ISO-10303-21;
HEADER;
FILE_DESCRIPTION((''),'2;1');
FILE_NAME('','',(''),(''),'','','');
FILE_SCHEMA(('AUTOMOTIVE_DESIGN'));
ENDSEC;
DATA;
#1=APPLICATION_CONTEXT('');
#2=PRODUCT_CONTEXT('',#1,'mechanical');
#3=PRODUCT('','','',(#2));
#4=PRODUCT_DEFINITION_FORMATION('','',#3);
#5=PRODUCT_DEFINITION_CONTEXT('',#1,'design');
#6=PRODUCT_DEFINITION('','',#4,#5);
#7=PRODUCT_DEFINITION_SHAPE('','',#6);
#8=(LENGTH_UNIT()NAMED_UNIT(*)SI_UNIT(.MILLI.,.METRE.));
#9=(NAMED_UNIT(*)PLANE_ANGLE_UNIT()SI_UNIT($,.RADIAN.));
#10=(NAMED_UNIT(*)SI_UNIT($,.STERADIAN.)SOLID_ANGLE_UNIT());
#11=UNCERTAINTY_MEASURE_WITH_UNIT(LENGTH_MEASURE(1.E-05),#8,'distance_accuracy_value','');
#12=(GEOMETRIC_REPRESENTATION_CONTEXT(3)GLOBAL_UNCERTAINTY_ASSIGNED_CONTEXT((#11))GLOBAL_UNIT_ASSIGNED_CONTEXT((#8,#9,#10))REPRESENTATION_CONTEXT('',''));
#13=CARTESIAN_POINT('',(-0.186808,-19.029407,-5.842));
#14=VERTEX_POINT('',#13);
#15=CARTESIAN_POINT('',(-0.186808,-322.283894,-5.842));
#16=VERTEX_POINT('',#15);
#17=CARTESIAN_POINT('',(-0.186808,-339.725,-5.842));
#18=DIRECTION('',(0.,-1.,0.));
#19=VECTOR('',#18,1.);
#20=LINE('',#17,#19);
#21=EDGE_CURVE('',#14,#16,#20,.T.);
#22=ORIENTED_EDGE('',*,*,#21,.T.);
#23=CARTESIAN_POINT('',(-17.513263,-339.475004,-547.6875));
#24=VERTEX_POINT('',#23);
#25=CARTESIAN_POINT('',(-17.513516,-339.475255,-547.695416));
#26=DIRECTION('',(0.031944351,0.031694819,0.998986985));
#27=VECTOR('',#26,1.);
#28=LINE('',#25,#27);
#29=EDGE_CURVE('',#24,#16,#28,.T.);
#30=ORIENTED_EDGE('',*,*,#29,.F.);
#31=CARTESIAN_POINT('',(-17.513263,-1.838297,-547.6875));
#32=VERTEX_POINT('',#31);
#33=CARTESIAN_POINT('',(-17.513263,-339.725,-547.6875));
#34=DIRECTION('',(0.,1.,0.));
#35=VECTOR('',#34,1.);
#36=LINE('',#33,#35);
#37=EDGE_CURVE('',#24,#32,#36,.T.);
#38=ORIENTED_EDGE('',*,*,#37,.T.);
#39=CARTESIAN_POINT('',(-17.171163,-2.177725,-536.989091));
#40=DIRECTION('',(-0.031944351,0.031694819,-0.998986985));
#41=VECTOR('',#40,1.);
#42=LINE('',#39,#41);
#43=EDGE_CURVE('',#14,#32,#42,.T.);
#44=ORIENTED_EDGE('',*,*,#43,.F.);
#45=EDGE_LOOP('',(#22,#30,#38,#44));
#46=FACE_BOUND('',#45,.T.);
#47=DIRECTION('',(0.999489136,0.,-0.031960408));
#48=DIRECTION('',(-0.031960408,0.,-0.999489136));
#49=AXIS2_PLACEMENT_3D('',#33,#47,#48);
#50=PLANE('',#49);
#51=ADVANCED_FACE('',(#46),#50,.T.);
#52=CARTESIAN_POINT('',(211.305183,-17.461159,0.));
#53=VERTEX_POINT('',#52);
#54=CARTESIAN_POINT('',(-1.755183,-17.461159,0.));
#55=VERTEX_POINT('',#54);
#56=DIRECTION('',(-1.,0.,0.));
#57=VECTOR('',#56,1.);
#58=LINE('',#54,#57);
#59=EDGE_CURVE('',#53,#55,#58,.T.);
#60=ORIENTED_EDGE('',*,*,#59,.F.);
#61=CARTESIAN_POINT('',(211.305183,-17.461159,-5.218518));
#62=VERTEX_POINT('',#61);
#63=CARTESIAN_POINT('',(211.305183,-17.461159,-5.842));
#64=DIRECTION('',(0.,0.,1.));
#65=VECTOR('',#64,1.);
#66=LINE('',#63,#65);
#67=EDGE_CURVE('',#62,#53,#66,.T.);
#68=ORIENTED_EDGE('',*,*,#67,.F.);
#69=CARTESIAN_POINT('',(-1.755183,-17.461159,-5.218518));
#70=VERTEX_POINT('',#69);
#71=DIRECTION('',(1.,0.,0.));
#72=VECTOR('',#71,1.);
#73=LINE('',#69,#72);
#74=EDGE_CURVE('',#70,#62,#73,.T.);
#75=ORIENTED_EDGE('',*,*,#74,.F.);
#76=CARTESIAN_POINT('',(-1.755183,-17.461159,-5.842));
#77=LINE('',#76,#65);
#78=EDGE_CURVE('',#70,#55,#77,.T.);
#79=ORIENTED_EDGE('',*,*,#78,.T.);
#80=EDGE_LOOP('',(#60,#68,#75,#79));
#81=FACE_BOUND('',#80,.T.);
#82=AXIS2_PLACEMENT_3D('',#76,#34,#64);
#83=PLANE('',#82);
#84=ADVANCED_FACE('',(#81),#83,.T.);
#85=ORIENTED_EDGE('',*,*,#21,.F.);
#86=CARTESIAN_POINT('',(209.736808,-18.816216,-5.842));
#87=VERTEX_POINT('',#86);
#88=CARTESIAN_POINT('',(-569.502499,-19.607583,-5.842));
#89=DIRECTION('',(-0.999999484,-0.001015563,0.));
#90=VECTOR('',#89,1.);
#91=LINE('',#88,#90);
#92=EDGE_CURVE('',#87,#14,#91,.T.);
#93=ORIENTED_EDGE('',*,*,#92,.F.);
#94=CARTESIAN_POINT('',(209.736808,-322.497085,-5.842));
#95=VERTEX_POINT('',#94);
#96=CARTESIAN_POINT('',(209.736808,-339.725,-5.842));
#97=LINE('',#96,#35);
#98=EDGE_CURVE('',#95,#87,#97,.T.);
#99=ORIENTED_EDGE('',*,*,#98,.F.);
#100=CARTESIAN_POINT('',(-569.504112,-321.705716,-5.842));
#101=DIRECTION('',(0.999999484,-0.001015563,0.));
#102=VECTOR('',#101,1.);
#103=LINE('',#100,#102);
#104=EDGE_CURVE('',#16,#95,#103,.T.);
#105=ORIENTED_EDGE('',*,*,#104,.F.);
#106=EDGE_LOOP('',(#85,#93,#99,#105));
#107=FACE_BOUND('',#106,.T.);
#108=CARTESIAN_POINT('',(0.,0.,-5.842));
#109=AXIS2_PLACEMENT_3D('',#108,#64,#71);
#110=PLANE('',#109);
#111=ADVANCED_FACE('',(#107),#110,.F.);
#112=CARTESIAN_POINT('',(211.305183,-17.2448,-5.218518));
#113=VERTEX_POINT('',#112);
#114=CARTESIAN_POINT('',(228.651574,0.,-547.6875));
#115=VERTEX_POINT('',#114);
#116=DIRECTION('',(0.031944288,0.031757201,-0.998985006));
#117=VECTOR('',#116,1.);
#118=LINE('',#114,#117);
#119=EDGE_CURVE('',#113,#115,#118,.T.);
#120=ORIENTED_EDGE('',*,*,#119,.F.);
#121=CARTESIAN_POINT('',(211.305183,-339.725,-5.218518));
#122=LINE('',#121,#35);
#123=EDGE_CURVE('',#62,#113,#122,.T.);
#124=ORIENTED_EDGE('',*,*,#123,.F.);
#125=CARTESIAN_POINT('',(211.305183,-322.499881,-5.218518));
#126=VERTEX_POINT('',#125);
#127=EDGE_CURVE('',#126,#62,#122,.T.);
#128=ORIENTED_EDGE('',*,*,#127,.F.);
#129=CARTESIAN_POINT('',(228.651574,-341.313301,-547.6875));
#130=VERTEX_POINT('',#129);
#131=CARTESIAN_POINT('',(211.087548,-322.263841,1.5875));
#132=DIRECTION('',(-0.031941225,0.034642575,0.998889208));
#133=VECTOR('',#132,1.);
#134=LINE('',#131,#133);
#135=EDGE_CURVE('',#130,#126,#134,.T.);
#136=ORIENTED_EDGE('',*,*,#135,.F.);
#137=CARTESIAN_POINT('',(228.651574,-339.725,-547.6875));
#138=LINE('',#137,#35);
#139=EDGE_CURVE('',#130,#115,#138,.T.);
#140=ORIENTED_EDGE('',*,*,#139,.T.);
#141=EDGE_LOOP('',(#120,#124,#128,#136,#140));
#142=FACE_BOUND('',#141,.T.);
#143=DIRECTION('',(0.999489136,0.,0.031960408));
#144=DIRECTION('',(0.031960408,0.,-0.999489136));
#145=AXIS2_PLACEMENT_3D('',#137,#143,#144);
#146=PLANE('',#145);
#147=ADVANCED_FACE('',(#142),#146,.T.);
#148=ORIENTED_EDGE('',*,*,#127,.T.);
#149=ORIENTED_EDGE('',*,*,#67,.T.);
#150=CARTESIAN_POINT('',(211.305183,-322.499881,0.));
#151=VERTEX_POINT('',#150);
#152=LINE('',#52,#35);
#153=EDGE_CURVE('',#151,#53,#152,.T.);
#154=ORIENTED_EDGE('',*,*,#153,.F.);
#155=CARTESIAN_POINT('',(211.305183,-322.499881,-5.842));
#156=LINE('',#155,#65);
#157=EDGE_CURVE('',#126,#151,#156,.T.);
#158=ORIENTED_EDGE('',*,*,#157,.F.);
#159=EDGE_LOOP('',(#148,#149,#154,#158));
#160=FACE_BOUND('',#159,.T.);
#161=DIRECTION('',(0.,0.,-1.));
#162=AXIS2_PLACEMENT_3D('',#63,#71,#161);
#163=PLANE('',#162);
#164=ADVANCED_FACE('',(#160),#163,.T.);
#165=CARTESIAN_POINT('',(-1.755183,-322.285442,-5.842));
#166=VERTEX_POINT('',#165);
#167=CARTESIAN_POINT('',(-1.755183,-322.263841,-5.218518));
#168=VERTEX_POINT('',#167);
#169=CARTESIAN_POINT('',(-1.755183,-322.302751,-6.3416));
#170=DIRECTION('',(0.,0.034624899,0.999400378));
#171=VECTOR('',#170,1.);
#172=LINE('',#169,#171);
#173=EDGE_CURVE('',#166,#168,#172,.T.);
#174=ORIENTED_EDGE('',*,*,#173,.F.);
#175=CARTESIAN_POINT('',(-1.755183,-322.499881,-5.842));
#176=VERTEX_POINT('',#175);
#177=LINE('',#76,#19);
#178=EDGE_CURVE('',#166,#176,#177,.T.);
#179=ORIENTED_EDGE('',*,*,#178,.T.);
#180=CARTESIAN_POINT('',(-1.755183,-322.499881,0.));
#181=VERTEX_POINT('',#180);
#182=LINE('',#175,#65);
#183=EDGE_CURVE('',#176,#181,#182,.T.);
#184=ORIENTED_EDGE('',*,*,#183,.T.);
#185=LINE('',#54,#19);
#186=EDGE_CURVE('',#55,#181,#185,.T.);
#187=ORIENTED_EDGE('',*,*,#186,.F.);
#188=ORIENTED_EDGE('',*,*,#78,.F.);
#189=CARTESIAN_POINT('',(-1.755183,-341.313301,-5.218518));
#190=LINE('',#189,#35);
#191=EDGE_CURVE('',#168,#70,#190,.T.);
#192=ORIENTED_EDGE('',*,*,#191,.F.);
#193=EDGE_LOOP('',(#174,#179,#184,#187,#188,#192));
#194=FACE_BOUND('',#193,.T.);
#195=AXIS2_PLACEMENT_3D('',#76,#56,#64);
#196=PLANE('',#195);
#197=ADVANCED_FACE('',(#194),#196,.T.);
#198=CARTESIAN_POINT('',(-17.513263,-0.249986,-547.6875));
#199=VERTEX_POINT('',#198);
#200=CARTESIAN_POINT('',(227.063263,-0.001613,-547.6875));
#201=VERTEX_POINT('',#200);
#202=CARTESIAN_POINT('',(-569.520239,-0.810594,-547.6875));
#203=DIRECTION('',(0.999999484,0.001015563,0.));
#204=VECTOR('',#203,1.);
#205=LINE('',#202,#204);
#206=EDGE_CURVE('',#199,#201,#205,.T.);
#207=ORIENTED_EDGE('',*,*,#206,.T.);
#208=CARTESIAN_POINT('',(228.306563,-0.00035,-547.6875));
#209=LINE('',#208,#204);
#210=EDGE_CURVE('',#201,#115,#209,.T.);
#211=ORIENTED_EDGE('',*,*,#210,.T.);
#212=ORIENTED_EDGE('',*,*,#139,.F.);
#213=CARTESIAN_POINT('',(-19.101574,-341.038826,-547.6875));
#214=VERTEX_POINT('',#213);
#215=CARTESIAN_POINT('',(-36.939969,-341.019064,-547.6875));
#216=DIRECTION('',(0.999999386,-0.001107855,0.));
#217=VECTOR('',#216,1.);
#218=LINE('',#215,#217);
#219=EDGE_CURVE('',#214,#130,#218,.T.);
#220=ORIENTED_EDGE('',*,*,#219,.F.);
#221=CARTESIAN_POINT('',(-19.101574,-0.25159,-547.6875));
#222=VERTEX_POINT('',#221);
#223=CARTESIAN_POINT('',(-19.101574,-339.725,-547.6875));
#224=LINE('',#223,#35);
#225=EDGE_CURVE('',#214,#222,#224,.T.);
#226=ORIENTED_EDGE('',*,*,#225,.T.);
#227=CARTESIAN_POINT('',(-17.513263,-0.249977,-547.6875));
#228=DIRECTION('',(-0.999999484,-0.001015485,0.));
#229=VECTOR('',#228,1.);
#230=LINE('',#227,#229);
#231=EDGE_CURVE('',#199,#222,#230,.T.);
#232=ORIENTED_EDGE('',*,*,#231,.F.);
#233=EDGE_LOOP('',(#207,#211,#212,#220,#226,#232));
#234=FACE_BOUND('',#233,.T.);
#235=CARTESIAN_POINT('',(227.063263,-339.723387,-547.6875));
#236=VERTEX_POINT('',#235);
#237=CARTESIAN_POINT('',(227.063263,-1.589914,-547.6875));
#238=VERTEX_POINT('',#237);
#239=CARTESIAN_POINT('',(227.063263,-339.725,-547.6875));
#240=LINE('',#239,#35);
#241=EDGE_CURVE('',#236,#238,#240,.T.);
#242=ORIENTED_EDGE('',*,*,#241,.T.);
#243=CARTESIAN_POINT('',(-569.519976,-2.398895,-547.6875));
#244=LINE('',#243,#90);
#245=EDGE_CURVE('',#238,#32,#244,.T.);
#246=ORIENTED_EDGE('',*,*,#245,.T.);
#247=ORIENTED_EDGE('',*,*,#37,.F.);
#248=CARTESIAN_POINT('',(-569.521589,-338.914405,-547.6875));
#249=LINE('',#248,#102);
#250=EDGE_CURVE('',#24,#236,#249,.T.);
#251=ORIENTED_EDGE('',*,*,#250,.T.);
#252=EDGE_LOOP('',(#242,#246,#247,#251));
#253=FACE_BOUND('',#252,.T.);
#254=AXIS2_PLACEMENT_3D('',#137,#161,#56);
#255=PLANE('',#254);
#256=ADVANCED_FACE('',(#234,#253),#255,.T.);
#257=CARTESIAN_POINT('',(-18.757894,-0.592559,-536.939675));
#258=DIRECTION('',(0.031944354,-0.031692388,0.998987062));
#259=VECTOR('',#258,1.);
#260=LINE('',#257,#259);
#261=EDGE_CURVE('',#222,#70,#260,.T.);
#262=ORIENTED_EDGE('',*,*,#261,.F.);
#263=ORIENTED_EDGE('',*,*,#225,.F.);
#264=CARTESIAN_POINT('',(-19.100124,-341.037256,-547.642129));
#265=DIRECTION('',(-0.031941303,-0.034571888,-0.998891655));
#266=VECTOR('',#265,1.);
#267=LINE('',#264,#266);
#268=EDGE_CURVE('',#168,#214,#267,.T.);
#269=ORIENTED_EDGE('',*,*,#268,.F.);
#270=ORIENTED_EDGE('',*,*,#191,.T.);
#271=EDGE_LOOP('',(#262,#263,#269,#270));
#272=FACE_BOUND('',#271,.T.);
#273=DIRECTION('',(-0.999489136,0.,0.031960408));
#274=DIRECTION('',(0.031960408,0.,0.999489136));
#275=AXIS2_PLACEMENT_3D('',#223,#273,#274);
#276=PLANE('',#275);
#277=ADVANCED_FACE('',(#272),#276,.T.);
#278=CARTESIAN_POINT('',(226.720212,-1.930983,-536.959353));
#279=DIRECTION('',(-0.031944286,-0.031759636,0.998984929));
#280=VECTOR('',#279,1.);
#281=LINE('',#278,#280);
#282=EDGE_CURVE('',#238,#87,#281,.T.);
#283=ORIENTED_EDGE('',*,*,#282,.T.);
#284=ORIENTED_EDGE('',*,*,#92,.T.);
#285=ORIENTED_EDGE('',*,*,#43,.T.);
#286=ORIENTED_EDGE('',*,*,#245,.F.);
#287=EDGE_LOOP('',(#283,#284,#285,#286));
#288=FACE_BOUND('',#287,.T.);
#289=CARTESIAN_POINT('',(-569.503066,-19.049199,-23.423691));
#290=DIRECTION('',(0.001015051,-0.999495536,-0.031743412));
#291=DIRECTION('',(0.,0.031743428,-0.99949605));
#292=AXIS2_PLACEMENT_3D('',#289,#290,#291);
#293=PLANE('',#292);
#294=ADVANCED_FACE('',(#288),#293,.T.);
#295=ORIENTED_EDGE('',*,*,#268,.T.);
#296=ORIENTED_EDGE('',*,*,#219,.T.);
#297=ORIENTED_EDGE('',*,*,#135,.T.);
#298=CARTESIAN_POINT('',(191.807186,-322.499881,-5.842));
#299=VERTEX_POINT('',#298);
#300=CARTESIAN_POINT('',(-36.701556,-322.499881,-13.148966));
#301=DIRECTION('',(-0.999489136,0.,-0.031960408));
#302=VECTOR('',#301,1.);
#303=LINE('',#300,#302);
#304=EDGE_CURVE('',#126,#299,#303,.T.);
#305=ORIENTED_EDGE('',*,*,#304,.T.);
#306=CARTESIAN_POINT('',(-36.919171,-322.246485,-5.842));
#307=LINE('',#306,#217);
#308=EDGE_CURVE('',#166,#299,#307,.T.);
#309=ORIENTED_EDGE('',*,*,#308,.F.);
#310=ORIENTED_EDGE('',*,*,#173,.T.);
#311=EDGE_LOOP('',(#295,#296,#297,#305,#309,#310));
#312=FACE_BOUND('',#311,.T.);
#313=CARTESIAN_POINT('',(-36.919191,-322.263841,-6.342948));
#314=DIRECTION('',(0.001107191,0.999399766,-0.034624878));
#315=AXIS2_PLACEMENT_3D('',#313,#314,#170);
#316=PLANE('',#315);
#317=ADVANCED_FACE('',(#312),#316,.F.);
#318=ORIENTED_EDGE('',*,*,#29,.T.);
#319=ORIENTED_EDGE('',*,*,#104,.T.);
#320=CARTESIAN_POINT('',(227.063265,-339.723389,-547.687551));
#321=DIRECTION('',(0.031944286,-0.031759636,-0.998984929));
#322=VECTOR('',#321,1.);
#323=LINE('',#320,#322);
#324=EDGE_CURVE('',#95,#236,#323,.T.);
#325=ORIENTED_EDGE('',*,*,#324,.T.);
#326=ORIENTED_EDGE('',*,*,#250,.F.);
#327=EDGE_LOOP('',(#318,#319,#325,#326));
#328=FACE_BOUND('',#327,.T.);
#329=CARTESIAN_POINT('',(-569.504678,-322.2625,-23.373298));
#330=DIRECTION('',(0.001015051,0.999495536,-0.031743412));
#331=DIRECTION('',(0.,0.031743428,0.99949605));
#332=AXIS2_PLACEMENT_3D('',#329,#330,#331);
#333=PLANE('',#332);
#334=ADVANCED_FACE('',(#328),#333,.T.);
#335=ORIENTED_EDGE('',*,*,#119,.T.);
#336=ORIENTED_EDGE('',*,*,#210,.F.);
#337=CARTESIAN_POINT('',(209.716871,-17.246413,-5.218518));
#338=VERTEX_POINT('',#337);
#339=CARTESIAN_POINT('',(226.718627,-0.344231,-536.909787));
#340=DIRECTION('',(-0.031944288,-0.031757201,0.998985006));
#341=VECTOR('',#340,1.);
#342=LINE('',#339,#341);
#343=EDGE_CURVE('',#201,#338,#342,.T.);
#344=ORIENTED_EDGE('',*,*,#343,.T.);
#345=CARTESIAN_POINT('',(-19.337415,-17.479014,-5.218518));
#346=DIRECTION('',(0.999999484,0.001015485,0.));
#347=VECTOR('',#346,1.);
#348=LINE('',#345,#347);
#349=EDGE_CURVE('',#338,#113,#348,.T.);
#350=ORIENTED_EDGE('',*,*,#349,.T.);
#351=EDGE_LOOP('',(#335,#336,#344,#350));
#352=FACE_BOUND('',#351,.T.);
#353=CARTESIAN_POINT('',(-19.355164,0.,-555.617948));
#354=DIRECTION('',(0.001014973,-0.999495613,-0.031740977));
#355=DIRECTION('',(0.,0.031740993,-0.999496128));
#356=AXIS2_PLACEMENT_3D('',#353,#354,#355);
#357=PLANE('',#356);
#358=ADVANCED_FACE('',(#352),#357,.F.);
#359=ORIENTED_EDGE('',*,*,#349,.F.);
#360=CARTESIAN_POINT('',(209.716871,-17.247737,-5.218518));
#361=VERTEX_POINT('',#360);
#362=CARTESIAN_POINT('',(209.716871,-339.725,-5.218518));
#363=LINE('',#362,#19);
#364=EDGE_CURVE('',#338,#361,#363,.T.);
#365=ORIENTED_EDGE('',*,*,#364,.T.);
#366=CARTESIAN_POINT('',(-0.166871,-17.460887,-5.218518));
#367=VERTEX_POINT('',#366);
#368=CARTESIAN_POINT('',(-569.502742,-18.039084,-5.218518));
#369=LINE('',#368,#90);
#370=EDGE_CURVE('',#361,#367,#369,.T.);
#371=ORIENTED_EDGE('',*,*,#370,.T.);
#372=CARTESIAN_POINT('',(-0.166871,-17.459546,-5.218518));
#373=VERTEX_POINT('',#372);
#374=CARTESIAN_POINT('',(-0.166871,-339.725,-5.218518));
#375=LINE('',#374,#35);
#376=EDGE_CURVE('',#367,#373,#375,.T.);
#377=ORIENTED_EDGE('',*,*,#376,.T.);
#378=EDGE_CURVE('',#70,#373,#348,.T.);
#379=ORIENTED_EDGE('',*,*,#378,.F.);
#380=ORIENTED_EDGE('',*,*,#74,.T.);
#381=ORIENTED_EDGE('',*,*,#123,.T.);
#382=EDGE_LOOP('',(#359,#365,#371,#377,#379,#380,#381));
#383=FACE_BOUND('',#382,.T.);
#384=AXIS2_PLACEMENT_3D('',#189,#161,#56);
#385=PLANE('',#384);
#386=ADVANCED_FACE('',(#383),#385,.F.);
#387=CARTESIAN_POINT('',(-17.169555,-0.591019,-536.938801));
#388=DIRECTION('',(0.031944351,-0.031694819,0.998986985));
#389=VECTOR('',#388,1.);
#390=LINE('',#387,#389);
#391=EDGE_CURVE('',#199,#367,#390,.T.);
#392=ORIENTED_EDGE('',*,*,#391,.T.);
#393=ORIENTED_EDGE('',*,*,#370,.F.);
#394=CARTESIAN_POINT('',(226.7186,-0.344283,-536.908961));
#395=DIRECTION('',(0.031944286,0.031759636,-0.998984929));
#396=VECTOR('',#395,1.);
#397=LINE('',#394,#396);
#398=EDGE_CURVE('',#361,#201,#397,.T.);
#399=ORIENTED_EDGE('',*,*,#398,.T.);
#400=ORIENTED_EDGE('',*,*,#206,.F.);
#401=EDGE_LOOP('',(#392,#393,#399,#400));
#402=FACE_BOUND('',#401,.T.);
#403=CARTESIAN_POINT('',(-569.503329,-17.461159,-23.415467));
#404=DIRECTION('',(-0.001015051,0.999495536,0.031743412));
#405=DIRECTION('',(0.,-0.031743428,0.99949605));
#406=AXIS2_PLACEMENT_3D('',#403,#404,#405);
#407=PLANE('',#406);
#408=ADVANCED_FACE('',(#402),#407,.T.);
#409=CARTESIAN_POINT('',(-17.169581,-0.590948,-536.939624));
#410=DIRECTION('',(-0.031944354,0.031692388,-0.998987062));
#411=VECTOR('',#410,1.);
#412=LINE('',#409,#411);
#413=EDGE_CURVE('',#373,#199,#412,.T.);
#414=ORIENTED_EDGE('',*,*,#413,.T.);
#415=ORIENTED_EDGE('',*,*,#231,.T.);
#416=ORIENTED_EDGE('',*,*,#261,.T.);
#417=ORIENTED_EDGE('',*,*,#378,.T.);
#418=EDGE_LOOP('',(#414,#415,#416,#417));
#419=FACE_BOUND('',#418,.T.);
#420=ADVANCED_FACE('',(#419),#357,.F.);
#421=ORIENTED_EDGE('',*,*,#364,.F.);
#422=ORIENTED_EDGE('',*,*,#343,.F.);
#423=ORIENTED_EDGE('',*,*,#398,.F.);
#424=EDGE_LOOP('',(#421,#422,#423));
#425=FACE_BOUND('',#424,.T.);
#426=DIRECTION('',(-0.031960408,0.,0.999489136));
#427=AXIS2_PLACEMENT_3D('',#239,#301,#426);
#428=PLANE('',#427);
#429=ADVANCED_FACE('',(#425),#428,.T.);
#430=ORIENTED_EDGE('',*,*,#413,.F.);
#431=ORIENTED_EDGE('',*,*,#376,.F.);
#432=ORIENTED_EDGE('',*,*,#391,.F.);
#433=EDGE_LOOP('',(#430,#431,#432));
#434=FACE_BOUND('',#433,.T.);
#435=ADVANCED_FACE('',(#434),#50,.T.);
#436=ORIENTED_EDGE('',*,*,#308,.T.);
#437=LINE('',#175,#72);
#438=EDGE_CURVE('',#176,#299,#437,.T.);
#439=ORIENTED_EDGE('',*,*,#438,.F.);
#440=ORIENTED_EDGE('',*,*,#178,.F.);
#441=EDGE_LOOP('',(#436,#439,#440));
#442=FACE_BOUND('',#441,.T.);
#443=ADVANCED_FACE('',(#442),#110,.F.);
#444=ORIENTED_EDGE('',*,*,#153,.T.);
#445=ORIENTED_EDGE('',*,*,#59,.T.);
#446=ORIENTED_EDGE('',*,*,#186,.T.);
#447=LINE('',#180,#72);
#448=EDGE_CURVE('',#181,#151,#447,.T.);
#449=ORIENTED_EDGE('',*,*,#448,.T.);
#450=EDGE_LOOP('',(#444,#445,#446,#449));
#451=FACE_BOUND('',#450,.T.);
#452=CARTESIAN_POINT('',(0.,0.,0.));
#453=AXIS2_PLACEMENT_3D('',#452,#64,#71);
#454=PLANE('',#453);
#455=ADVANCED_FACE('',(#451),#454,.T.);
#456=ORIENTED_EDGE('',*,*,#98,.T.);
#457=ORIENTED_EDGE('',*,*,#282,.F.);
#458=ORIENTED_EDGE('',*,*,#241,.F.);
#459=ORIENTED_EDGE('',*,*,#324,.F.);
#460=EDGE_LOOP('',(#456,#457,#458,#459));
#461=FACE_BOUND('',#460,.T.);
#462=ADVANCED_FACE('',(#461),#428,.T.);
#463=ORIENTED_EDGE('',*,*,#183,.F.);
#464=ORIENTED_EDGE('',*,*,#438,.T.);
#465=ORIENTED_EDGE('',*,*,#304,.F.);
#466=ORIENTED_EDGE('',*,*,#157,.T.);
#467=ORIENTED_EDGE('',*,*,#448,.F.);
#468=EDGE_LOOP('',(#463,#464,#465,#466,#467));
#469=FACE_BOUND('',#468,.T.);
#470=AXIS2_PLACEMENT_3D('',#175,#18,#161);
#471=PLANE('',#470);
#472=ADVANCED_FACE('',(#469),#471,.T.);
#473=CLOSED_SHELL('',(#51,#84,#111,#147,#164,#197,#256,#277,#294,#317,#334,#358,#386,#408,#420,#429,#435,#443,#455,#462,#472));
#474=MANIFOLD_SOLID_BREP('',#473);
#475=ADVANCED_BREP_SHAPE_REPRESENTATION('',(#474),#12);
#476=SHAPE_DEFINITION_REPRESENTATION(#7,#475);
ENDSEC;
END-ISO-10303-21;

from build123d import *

# Parameters (mm, degrees)
BOSS_EXTRUDE1_DEPTH = 339.725
BOSS_EXTRUDE2_REACH = 691.724
CUT_EXTRUDE4_DEPTH  = 697.975102984
SKETCH6_W           = 376.513172643
SKETCH6_H           = 53.606624692
CUT_EXTRUDE8_DEPTH  = 692.004787475
SKETCH7_W           = 213.060365226
SKETCH7_H           = 305.038721392
BOSS_EXTRUDE4_DEPTH = 5.842


with BuildPart() as part:
    # Sketch1 → Boss-Extrude1 (new body)
    with BuildSketch(Plane(origin=(0, 0, 0), x_dir=(1, 0, 0), z_dir=(0, 1, 0))):
        Polygon((0, 0), (209.55, 0), (227.063263081, 547.6875), (228.651574493, 547.6875), (211.08754833, -1.5875), (-1.53754833, -1.5875), (-19.101574493, 547.6875), (-17.513263081, 547.6875), align=None)
    extrude(amount=-BOSS_EXTRUDE1_DEPTH)

    # Boss-Extrude2: up to this plane
    boss_extrude2_end = Plane(origin=(-19.101574493, -339.725, -547.6875), z_dir=(-0.9994891356560206, 0, 0.03196040840760531))
    # Sketch3 → Boss-Extrude2 (add, up to the surface)
    with BuildSketch(Plane(origin=(210.922640445, 0, 6.744619317), x_dir=(0.031960408407605376, 0, -0.9994891356560207), z_dir=(0.9994891356560207, 0, 0.031960408407605376)), mode=Mode.PRIVATE) as boss_extrude2_sk1:
        Polygon((5.20194578, -17.461159368), (554.715503688, 0), (554.715503688, -1.588301242), (5.210173674, -19.049199163), align=None)
    boss_extrude2_tool1 = split(extrude(boss_extrude2_sk1.sketch, amount=-BOSS_EXTRUDE2_REACH, mode=Mode.PRIVATE), bisect_by=boss_extrude2_end, keep=Keep.BOTH, mode=Mode.PRIVATE)
    add(boss_extrude2_tool1.solids().sort_by_distance((219.870301, -9.524663, -273.07314))[0])
    # Sketch3 → Boss-Extrude2 (add, up to the surface)
    with BuildSketch(Plane(origin=(210.922640445, 0, 6.744619317), x_dir=(0.031960408407605376, 0, -0.9994891356560207), z_dir=(0.9994891356560207, 0, 0.031960408407605376)), mode=Mode.PRIVATE) as boss_extrude2_sk2:
        Polygon((5.159755252, -322.2625), (554.715503688, -339.725), (554.715503688, -341.313301242), (5.159755252, -323.850801242), align=None)
    boss_extrude2_tool2 = split(extrude(boss_extrude2_sk2.sketch, amount=-BOSS_EXTRUDE2_REACH, mode=Mode.PRIVATE), bisect_by=boss_extrude2_end, keep=Keep.BOTH, mode=Mode.PRIVATE)
    add(boss_extrude2_tool2.solids().sort_by_distance((219.869561, -331.787901, -273.05))[0])

    # Sketch5 → Cut-Extrude4 (cut, through all)
    with BuildSketch(Plane(origin=(210.922640445, 0, 6.744619317), x_dir=(0.031960408407605376, 0, -0.9994891356560207), z_dir=(0.9994891356560207, 0, 0.031960408407605376))):
        Polygon((5.159755252, -322.263840612), (554.715503688, -341.313301242), (-187.514814981, -341.313301242), align=None)
        Polygon((5.159755252, -17.461159388), (-85.492186458, -17.461159388), (-85.492186458, 58.963399127), (554.715503688, 0), align=None)
    extrude(amount=-CUT_EXTRUDE4_DEPTH, mode=Mode.SUBTRACT)

    # Sketch6 → Cut-Extrude8 (cut, through all)
    with BuildSketch(Plane(origin=(0, 0, 0), x_dir=(1, 0, 0), z_dir=(0, 1, 0))):
        Polygon((-1.755182613, 5.218517559), (295.768737434, 5.218517559), (295.768737434, -74.400442216), (-24.623288418, -74.400442216), align=None)
        with Locations((124.241384065, 574.490812346)):
            Rectangle(SKETCH6_W, SKETCH6_H)
    extrude(amount=-CUT_EXTRUDE8_DEPTH, mode=Mode.SUBTRACT)

    # Sketch7 → Boss-Extrude4 (add)
    with BuildSketch(Plane.XY):
        with Locations((104.775, -169.980520084)):
            Rectangle(SKETCH7_W, SKETCH7_H)
    extrude(amount=-BOSS_EXTRUDE4_DEPTH)


solid = part.part
